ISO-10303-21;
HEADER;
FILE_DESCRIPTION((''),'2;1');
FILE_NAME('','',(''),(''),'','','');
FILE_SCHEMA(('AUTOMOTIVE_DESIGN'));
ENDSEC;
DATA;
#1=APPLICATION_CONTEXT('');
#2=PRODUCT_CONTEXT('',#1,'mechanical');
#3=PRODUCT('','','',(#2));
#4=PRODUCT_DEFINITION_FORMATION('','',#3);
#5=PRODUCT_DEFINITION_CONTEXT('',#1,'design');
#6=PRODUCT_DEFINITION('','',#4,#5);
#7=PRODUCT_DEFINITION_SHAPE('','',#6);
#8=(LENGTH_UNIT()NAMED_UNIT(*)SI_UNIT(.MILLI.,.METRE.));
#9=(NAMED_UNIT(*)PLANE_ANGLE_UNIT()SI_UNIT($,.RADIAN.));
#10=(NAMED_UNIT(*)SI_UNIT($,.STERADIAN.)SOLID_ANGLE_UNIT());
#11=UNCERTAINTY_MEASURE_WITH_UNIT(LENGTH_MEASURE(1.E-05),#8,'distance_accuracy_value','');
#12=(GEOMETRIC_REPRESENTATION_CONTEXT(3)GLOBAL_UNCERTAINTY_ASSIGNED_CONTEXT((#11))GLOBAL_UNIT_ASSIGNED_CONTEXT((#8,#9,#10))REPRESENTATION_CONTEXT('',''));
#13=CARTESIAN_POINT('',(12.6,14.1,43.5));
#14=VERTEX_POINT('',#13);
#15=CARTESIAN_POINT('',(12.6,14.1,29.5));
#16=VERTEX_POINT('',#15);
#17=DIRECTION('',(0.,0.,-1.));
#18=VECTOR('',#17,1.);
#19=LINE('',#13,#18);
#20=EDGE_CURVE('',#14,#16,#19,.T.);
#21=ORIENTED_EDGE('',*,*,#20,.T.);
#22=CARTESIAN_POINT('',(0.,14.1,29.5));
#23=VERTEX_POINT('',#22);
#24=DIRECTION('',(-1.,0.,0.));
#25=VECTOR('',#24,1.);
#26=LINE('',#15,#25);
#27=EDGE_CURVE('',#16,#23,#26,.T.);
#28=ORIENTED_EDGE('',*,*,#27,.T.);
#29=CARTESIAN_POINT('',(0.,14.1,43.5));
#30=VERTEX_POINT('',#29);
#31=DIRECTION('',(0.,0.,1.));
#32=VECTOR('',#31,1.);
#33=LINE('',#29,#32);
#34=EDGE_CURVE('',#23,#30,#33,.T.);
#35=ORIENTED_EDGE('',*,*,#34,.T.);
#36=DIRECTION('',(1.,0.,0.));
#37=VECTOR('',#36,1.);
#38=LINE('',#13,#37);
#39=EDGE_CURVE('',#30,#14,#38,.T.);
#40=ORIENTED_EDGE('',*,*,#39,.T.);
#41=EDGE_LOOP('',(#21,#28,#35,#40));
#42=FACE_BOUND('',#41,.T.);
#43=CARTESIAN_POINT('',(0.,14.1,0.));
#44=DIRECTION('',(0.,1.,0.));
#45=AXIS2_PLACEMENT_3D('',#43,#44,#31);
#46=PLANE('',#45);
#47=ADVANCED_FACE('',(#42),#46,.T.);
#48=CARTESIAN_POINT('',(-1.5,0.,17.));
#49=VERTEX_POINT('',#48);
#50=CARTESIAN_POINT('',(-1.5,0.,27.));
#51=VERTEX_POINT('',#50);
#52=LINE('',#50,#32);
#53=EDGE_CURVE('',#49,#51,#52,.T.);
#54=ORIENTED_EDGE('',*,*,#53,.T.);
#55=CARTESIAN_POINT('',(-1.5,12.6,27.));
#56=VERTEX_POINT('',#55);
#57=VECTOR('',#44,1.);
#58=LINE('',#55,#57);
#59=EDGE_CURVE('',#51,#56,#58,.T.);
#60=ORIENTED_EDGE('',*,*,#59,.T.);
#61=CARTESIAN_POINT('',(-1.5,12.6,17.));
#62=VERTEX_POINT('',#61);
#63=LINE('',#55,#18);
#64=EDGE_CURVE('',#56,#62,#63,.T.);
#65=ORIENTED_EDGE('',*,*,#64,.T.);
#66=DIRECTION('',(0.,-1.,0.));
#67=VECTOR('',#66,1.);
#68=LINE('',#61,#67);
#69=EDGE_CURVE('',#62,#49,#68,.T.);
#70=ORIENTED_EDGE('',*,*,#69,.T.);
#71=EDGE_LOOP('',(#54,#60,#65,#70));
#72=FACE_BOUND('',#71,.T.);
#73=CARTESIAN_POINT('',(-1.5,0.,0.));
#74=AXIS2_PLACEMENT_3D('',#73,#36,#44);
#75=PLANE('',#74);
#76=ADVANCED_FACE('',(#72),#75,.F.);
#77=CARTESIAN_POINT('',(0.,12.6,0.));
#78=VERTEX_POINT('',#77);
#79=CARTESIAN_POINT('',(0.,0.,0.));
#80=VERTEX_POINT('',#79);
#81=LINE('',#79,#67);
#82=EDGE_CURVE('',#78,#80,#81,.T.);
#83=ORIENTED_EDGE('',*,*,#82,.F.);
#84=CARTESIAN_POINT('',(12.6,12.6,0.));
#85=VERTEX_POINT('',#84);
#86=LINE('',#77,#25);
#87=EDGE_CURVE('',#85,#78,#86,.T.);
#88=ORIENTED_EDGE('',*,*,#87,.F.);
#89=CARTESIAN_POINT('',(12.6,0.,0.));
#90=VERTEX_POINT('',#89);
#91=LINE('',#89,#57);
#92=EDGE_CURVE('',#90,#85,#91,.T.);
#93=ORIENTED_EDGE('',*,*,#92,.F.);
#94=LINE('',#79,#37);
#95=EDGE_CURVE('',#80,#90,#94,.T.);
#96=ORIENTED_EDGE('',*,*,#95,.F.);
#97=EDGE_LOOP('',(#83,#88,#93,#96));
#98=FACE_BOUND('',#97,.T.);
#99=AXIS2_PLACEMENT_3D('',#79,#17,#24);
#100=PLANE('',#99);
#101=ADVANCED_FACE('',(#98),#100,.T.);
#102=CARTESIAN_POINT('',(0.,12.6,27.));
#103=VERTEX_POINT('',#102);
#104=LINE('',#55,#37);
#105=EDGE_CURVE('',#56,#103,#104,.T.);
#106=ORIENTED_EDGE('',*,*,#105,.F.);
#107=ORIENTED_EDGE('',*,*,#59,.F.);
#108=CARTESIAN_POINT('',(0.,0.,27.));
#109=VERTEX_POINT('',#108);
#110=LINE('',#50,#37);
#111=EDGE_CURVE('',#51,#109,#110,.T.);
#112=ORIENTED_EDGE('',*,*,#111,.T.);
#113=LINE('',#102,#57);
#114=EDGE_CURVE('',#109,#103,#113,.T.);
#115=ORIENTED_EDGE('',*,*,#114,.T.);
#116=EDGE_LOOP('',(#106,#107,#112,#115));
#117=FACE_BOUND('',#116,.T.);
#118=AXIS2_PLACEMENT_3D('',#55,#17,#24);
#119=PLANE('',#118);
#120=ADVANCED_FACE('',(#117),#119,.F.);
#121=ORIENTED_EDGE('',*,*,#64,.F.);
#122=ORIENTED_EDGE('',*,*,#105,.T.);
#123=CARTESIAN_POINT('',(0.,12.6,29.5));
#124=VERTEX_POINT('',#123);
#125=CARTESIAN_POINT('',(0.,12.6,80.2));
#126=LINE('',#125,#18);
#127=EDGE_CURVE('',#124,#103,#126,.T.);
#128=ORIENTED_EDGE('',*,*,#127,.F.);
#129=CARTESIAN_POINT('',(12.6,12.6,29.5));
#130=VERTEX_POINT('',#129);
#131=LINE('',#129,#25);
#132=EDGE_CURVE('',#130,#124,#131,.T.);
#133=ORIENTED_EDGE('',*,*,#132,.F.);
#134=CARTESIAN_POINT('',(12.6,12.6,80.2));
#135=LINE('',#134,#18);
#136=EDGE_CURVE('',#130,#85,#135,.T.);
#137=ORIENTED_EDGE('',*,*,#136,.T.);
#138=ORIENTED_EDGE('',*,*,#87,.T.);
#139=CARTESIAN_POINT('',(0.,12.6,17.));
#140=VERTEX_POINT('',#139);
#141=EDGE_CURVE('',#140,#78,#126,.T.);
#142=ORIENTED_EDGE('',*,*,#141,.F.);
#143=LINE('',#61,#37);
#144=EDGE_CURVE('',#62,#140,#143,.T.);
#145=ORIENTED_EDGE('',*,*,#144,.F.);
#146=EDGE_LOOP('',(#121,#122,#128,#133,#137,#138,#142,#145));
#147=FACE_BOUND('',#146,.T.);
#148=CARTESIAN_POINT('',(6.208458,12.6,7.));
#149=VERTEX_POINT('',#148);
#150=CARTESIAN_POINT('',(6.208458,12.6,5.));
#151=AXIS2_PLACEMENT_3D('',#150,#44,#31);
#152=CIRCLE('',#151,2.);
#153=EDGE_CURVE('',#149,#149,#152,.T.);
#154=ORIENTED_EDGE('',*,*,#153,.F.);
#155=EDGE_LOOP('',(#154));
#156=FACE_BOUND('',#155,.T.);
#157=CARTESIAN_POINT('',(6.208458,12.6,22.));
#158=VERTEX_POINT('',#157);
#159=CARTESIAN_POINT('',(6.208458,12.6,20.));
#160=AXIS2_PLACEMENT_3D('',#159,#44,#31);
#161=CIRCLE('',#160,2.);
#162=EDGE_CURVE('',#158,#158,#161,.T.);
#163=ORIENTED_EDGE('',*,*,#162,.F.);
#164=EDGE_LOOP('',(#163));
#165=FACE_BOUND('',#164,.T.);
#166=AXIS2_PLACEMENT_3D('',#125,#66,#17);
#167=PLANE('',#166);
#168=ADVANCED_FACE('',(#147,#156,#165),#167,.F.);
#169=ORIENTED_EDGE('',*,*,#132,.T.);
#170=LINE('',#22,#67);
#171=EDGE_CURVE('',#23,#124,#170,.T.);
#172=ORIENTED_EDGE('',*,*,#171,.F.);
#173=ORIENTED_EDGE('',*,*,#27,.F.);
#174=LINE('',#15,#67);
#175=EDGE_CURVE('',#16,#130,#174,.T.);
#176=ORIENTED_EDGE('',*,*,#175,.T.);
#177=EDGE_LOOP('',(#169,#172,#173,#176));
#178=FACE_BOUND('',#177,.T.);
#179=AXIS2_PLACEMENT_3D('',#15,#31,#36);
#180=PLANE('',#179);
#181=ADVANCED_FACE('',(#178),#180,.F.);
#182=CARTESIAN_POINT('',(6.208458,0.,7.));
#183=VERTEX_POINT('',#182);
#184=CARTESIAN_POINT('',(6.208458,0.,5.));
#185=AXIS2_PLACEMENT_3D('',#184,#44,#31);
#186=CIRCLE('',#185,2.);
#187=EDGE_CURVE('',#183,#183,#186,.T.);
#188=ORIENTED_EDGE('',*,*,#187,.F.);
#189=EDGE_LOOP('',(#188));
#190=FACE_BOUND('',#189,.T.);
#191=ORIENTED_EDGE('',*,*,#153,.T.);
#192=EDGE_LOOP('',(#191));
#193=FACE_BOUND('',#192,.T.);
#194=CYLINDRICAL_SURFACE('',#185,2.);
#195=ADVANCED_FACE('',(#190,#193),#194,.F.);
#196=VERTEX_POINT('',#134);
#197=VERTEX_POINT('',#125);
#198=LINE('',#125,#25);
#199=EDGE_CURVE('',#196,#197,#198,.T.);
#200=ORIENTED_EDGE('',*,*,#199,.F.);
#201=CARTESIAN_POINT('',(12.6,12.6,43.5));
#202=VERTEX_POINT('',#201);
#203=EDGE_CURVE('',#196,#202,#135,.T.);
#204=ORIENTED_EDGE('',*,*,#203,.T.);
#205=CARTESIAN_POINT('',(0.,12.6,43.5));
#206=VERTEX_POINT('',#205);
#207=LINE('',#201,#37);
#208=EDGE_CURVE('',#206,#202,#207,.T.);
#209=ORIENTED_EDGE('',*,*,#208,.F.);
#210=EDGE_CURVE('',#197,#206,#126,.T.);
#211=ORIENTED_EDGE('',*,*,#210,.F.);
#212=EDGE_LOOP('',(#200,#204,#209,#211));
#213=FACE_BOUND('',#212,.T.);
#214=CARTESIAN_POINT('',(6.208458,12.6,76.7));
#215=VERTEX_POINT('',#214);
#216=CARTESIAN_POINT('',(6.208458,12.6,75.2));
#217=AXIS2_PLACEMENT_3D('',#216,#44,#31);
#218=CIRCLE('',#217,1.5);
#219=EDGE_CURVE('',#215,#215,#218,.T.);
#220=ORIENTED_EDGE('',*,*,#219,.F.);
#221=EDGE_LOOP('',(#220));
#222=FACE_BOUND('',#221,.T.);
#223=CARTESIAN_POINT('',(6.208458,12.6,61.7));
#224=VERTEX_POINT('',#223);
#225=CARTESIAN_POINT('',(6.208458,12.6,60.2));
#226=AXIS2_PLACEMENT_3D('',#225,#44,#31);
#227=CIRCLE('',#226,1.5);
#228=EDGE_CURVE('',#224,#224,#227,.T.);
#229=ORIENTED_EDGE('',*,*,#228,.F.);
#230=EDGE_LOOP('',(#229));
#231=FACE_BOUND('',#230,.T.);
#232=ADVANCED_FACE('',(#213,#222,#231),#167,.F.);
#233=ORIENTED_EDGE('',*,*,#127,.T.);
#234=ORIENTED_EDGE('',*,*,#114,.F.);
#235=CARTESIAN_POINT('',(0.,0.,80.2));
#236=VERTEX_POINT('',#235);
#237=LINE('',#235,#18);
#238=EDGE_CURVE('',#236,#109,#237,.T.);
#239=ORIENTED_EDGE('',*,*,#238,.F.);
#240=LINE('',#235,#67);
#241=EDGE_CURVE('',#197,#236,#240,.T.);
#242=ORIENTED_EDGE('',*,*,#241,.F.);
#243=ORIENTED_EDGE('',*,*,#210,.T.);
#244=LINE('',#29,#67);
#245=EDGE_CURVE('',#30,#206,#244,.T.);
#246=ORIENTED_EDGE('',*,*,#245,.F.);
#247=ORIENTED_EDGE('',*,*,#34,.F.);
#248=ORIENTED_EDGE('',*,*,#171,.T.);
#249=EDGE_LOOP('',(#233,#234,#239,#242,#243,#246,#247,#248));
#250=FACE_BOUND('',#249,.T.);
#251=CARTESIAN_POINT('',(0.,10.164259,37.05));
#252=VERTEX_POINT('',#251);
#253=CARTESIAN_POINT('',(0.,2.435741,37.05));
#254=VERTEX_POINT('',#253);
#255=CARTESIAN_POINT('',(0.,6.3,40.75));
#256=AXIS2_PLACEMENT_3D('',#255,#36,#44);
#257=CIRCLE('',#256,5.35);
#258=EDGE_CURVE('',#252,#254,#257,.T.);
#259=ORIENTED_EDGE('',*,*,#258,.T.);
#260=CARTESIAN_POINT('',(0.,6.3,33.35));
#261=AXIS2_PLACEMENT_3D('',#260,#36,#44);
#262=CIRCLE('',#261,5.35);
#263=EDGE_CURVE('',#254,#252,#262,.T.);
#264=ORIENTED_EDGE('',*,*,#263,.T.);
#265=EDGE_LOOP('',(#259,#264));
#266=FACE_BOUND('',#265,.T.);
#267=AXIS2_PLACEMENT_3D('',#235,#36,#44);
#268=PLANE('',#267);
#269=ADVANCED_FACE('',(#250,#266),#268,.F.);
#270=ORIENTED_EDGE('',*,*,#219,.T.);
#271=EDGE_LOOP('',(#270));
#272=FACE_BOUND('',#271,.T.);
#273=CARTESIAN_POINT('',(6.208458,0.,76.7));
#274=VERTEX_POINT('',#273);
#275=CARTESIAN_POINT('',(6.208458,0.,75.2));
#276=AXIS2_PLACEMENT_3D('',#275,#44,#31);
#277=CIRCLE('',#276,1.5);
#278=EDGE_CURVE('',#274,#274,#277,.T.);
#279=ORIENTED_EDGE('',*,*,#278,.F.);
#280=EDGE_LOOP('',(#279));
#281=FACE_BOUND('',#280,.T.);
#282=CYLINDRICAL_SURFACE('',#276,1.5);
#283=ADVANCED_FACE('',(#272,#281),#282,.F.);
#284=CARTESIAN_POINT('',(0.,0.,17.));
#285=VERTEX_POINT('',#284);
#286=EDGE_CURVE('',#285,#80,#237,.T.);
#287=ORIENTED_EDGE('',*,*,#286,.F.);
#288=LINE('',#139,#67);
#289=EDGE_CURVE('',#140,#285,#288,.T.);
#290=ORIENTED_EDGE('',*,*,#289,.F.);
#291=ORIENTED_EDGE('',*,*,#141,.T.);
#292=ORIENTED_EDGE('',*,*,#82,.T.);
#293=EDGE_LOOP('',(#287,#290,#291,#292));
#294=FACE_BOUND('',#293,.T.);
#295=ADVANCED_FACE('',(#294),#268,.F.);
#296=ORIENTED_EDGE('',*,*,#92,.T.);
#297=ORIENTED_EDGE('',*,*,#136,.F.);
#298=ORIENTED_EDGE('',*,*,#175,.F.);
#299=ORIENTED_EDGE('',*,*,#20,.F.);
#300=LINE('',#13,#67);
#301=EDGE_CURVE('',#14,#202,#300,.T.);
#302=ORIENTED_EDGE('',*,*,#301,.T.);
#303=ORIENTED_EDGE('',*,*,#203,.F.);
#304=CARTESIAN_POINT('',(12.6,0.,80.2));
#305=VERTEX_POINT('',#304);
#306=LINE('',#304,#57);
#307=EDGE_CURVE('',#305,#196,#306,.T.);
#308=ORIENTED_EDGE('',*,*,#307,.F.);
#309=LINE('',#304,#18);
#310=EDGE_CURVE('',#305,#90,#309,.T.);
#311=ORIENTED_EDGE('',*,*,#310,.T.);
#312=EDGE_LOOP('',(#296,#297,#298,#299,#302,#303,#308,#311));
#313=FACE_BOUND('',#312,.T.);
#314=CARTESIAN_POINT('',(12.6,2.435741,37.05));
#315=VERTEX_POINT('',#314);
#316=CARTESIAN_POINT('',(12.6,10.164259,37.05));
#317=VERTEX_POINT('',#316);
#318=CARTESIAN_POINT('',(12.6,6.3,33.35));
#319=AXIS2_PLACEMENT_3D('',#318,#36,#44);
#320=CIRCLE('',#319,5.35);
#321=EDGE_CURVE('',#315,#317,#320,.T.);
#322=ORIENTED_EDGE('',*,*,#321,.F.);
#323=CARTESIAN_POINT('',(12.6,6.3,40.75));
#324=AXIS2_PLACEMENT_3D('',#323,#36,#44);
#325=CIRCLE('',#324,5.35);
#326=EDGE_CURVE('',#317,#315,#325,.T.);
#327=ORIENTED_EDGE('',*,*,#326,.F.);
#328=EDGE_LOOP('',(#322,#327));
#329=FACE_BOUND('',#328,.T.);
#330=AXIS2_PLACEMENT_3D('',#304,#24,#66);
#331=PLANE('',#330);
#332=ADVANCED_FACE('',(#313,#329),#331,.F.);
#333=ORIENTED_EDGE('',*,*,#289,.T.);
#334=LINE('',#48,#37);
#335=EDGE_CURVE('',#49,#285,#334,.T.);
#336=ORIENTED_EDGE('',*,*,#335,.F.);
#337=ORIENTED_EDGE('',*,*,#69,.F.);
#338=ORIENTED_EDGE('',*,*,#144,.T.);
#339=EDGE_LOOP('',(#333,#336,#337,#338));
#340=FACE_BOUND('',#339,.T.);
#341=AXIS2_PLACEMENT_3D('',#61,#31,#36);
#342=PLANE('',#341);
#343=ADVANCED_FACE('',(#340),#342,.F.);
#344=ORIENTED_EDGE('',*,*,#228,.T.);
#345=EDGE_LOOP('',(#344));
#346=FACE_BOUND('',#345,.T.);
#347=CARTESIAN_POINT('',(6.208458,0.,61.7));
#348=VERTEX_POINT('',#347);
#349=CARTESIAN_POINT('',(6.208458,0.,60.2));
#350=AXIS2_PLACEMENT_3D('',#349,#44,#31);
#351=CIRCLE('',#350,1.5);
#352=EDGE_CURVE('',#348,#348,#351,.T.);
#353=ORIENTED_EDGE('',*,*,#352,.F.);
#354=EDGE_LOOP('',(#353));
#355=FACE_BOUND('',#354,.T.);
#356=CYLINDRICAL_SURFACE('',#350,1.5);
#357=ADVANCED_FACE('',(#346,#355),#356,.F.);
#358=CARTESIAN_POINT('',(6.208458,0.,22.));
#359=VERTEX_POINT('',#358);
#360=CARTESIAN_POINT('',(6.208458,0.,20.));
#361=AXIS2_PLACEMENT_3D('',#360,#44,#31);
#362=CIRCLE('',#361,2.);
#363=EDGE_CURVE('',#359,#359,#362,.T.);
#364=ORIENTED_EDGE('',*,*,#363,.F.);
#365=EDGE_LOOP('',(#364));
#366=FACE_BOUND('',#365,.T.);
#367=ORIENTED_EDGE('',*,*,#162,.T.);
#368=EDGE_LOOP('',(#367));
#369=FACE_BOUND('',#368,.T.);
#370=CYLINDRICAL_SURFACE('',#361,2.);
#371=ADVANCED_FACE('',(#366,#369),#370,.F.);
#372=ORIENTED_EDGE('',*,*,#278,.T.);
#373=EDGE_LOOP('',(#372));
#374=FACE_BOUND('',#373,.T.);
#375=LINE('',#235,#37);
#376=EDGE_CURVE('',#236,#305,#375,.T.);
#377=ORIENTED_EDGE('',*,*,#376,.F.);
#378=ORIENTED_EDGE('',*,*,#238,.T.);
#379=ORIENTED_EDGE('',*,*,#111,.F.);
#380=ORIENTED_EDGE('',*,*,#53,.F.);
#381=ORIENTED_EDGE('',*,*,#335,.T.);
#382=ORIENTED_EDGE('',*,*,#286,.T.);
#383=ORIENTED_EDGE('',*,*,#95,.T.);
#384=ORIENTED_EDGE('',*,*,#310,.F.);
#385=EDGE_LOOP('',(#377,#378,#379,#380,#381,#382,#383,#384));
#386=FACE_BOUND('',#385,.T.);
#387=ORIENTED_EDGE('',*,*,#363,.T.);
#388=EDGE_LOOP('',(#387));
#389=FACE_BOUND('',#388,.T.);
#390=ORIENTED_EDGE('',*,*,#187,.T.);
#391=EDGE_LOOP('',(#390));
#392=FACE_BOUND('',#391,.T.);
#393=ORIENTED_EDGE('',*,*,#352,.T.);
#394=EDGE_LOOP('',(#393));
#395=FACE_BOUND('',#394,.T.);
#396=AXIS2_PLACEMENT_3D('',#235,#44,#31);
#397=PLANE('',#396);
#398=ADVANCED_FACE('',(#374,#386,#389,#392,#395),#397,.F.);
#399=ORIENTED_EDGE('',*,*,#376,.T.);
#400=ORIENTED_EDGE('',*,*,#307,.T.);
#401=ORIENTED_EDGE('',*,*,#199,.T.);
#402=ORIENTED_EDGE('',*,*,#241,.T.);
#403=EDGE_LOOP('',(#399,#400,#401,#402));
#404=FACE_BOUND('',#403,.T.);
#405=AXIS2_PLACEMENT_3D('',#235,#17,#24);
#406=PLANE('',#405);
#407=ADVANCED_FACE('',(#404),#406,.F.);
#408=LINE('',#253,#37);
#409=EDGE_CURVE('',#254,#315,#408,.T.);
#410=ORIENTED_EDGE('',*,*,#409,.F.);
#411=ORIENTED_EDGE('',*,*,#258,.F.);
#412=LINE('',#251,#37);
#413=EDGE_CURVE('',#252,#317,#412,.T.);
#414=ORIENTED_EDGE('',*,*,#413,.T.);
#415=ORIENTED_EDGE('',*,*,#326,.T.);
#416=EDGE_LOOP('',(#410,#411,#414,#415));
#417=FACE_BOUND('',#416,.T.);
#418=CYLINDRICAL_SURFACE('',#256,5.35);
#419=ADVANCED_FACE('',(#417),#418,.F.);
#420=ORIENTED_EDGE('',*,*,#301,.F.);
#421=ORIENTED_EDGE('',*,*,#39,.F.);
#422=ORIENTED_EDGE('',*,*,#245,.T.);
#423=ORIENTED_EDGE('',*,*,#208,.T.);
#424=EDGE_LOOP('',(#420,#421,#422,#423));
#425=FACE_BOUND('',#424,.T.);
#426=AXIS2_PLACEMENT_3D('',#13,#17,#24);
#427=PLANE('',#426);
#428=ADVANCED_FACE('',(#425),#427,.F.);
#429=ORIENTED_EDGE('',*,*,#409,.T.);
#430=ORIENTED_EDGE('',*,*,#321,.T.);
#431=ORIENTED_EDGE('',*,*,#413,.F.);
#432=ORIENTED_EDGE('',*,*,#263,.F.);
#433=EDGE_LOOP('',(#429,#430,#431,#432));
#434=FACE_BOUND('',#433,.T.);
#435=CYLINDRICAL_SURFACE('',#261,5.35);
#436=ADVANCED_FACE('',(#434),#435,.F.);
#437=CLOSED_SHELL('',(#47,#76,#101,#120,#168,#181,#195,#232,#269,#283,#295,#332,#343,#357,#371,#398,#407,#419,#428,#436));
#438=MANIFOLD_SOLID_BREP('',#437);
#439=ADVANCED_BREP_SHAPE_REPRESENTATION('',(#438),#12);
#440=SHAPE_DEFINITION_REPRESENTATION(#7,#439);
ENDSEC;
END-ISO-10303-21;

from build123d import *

# Parameters (mm, degrees)
ESQUISSE1_W             = 12.6
ESQUISSE1_H             = 12.6
BOSS_EXTRU_1_DEPTH      = 80.2
ESQUISSE2_R             = 1.5
ESQUISSE2_R_2           = 2
ENL_V_MAT_EXTRU_1_DEPTH = 13.6
ESQUISSE3_R             = 5.35
ENL_V_MAT_EXTRU_4_DEPTH = 13.6
ESQUISSE4_W             = 12.6
ESQUISSE4_H             = 14
BOSS_EXTRU_2_DEPTH      = 1.5
ESQUISSE5_W             = 10
ESQUISSE5_H             = 12.6
BOSS_EXTRU_3_DEPTH      = 1.5


with BuildPart() as part:
    # Esquisse1 → Boss.-Extru.1 (new body)
    with BuildSketch(Plane.XY):
        with Locations((6.3, 6.3)):
            Rectangle(ESQUISSE1_W, ESQUISSE1_H)
    extrude(amount=BOSS_EXTRU_1_DEPTH)

    # Esquisse2 → Enlèv. mat.-Extru.1 (cut, through all)
    with BuildSketch(Plane(origin=(0, 12.6, 0), x_dir=(1, 0, 0), z_dir=(0, 1, 0))):
        with Locations((6.208458314, -75.2)):
            Circle(ESQUISSE2_R)
        with Locations((6.208458314, -60.2)):
            Circle(ESQUISSE2_R)
        with Locations((6.208458314, -20)):
            Circle(ESQUISSE2_R_2)
        with Locations((6.208458314, -5)):
            Circle(ESQUISSE2_R_2)
    extrude(amount=-ENL_V_MAT_EXTRU_1_DEPTH, mode=Mode.SUBTRACT)

    # Esquisse3 → Enlèv. mat.-Extru.4 (cut, through all)
    with BuildSketch(Plane(origin=(12.6, 0, 0), x_dir=(0, 0, -1), z_dir=(1, 0, 0))):
        with Locations((-33.35, 6.3)):
            Circle(ESQUISSE3_R)
        with Locations((-40.75, 6.3)):
            Circle(ESQUISSE3_R)
    extrude(amount=-ENL_V_MAT_EXTRU_4_DEPTH, mode=Mode.SUBTRACT)

    # Esquisse4 → Boss.-Extru.2 (add)
    with BuildSketch(Plane(origin=(0, 12.6, 0), x_dir=(1, 0, 0), z_dir=(0, 1, 0))):
        with Locations((6.3, -36.5)):
            Rectangle(ESQUISSE4_W, ESQUISSE4_H)
    extrude(amount=BOSS_EXTRU_2_DEPTH)

    # Esquisse5 → Boss.-Extru.3 (add)
    with BuildSketch(Plane.ZY):
        with Locations((22, 6.3)):
            Rectangle(ESQUISSE5_W, ESQUISSE5_H)
    extrude(amount=BOSS_EXTRU_3_DEPTH)


solid = part.part
